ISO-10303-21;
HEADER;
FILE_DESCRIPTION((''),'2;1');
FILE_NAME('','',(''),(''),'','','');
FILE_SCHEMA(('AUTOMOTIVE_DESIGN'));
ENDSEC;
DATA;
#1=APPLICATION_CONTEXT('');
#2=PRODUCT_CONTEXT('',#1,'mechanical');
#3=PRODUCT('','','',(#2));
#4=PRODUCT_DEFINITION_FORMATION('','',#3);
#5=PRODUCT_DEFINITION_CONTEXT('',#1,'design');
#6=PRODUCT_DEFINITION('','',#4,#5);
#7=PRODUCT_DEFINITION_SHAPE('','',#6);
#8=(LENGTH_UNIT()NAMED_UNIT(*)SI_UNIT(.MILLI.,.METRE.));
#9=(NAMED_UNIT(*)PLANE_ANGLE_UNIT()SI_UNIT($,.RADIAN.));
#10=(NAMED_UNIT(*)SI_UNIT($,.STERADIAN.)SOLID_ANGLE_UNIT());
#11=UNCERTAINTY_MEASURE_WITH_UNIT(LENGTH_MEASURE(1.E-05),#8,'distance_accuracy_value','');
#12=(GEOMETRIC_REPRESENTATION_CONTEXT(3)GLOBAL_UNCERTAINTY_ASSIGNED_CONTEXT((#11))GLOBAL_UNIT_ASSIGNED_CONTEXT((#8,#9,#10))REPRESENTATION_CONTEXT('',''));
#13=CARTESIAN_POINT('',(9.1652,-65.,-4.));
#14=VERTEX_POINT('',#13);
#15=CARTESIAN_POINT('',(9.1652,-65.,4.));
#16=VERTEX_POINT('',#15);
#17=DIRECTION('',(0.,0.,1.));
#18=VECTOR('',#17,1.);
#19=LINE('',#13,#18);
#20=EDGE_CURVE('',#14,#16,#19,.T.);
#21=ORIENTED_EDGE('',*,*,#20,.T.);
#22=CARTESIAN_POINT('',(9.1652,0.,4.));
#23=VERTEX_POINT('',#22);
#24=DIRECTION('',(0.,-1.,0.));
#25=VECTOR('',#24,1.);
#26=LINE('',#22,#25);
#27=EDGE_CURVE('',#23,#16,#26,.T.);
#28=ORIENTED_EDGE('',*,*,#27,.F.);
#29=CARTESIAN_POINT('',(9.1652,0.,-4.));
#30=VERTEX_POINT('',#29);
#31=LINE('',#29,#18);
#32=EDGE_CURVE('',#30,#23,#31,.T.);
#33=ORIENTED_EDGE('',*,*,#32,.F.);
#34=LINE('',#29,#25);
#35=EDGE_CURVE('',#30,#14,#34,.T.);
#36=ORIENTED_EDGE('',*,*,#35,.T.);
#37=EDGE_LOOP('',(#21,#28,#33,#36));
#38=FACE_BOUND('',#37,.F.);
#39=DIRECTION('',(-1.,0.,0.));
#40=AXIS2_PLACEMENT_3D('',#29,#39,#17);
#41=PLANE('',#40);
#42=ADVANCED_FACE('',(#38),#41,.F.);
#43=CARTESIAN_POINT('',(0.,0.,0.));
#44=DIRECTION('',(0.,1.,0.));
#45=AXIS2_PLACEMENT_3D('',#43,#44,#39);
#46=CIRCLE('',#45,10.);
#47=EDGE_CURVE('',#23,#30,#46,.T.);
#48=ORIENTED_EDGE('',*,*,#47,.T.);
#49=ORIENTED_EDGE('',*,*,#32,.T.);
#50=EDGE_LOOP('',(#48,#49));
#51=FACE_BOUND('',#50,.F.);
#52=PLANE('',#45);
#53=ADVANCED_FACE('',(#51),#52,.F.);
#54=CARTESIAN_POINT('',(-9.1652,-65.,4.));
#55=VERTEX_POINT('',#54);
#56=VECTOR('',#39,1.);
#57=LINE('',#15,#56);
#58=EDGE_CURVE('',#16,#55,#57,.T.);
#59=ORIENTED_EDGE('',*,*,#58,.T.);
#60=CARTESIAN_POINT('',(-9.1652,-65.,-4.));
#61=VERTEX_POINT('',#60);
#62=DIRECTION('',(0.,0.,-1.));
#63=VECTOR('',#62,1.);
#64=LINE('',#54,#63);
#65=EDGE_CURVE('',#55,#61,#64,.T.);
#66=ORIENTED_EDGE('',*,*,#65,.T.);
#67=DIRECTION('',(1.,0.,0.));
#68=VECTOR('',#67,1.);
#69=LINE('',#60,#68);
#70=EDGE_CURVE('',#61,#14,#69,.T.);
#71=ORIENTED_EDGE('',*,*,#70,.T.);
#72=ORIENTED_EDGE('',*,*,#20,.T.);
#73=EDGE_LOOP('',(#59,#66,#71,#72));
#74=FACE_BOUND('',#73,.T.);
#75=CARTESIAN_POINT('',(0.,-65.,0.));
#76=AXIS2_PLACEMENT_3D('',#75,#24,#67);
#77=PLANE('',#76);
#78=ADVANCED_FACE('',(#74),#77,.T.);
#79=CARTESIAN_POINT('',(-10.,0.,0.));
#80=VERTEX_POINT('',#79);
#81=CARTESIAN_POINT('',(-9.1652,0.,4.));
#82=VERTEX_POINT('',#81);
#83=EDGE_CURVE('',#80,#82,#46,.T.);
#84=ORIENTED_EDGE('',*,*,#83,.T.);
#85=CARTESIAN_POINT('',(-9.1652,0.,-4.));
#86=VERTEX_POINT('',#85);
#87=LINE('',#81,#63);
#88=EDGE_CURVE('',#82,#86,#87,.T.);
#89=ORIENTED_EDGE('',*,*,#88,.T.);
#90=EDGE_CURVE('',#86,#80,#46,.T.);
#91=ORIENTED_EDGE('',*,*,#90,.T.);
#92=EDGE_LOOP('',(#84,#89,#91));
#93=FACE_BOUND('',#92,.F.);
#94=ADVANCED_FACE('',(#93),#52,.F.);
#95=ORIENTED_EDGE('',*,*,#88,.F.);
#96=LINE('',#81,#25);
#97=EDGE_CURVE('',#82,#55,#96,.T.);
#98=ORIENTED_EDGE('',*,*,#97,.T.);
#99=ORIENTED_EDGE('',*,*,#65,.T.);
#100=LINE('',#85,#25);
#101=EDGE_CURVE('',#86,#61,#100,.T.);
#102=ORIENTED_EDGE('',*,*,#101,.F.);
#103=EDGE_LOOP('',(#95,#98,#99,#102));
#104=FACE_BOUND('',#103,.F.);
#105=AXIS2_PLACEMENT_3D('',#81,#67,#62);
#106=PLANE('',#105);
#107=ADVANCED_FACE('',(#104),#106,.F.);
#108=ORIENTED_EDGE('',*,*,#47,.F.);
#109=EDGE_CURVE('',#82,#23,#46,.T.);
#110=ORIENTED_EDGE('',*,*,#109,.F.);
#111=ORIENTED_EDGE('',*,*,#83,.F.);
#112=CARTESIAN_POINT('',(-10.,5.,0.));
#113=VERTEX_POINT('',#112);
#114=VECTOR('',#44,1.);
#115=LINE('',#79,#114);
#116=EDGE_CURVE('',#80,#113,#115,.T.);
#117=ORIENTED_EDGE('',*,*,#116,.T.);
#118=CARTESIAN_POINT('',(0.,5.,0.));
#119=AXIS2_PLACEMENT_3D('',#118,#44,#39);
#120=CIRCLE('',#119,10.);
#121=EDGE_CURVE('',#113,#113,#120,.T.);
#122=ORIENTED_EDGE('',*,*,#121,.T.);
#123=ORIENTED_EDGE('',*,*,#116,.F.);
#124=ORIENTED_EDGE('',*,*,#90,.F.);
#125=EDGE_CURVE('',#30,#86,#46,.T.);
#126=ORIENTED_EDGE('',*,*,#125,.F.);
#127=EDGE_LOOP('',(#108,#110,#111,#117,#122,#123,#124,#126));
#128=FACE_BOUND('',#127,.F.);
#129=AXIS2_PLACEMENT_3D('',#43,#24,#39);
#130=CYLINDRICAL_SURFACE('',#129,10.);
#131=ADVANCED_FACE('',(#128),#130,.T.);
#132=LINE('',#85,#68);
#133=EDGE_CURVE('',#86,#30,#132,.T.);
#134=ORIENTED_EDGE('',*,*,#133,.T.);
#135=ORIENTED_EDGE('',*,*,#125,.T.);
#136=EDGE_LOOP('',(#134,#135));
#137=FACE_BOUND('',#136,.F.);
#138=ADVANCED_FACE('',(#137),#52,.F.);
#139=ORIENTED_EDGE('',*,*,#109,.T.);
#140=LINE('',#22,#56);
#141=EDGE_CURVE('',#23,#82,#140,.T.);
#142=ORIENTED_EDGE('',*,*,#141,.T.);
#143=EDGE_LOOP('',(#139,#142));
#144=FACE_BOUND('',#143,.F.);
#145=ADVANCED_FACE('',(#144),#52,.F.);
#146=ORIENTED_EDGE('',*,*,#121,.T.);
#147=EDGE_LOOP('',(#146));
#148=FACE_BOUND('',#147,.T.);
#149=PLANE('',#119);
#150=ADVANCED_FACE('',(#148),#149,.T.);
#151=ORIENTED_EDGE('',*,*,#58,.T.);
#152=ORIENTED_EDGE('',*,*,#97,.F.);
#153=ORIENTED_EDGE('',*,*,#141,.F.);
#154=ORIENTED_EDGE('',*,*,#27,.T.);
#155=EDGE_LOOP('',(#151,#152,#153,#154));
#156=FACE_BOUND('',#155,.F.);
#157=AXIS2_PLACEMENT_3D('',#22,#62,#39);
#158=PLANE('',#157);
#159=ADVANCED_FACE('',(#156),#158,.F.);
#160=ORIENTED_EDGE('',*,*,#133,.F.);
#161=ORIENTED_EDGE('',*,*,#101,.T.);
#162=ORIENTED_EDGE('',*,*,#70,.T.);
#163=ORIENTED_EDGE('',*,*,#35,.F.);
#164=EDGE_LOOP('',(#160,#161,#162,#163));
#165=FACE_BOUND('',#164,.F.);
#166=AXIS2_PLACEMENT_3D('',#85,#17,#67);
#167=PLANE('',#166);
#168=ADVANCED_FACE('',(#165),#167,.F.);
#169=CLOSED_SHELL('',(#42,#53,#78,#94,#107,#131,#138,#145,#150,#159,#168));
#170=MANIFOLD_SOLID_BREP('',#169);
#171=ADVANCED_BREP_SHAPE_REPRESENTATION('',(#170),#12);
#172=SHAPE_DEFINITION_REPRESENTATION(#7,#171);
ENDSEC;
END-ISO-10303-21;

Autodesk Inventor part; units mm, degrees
ref_plane "YZ Plane" through (0, 0, 0) normal (1, 0, 0) x (0, 1, 0)
ref_plane "XZ Plane" through (0, 0, 0) normal (0, 1, 0) x (-1, 0, 0)
ref_plane "XY Plane" through (0, 0, 0) normal (0, 0, 1) x (1, 0, 0)
sketch "Sketch1" plane through (0, 0, 0) normal (0, 1, 0) x (-1, 0, 0)
  circle A0 centre (0, 0) radius 10
  dimension "d0" = 20
extrude "Extrusion1" add sketch "Sketch1" along normal blind 5
sketch "Sketch2" plane through (0, 0, 0) normal (0, -1, 0) x (1, 0, 0)
  line L0 (9.1652, 4) -> (-9.1652, 4)
  line L1 (-9.1652, 4) -> (-9.1652, -4)
  line L2 (-9.1652, -4) -> (9.1652, -4)
  line L3 (9.1652, -4) -> (9.1652, 4)
  circle A0 centre (0, 0) radius 10 projected
  circle A1 centre (0, 0) radius 10 projected
  dimension "d3" = 8
extrude "Extrusion2" add sketch "Sketch2" along normal blind 65 contours L3 L2 L1 L0
properties part number "rack"
